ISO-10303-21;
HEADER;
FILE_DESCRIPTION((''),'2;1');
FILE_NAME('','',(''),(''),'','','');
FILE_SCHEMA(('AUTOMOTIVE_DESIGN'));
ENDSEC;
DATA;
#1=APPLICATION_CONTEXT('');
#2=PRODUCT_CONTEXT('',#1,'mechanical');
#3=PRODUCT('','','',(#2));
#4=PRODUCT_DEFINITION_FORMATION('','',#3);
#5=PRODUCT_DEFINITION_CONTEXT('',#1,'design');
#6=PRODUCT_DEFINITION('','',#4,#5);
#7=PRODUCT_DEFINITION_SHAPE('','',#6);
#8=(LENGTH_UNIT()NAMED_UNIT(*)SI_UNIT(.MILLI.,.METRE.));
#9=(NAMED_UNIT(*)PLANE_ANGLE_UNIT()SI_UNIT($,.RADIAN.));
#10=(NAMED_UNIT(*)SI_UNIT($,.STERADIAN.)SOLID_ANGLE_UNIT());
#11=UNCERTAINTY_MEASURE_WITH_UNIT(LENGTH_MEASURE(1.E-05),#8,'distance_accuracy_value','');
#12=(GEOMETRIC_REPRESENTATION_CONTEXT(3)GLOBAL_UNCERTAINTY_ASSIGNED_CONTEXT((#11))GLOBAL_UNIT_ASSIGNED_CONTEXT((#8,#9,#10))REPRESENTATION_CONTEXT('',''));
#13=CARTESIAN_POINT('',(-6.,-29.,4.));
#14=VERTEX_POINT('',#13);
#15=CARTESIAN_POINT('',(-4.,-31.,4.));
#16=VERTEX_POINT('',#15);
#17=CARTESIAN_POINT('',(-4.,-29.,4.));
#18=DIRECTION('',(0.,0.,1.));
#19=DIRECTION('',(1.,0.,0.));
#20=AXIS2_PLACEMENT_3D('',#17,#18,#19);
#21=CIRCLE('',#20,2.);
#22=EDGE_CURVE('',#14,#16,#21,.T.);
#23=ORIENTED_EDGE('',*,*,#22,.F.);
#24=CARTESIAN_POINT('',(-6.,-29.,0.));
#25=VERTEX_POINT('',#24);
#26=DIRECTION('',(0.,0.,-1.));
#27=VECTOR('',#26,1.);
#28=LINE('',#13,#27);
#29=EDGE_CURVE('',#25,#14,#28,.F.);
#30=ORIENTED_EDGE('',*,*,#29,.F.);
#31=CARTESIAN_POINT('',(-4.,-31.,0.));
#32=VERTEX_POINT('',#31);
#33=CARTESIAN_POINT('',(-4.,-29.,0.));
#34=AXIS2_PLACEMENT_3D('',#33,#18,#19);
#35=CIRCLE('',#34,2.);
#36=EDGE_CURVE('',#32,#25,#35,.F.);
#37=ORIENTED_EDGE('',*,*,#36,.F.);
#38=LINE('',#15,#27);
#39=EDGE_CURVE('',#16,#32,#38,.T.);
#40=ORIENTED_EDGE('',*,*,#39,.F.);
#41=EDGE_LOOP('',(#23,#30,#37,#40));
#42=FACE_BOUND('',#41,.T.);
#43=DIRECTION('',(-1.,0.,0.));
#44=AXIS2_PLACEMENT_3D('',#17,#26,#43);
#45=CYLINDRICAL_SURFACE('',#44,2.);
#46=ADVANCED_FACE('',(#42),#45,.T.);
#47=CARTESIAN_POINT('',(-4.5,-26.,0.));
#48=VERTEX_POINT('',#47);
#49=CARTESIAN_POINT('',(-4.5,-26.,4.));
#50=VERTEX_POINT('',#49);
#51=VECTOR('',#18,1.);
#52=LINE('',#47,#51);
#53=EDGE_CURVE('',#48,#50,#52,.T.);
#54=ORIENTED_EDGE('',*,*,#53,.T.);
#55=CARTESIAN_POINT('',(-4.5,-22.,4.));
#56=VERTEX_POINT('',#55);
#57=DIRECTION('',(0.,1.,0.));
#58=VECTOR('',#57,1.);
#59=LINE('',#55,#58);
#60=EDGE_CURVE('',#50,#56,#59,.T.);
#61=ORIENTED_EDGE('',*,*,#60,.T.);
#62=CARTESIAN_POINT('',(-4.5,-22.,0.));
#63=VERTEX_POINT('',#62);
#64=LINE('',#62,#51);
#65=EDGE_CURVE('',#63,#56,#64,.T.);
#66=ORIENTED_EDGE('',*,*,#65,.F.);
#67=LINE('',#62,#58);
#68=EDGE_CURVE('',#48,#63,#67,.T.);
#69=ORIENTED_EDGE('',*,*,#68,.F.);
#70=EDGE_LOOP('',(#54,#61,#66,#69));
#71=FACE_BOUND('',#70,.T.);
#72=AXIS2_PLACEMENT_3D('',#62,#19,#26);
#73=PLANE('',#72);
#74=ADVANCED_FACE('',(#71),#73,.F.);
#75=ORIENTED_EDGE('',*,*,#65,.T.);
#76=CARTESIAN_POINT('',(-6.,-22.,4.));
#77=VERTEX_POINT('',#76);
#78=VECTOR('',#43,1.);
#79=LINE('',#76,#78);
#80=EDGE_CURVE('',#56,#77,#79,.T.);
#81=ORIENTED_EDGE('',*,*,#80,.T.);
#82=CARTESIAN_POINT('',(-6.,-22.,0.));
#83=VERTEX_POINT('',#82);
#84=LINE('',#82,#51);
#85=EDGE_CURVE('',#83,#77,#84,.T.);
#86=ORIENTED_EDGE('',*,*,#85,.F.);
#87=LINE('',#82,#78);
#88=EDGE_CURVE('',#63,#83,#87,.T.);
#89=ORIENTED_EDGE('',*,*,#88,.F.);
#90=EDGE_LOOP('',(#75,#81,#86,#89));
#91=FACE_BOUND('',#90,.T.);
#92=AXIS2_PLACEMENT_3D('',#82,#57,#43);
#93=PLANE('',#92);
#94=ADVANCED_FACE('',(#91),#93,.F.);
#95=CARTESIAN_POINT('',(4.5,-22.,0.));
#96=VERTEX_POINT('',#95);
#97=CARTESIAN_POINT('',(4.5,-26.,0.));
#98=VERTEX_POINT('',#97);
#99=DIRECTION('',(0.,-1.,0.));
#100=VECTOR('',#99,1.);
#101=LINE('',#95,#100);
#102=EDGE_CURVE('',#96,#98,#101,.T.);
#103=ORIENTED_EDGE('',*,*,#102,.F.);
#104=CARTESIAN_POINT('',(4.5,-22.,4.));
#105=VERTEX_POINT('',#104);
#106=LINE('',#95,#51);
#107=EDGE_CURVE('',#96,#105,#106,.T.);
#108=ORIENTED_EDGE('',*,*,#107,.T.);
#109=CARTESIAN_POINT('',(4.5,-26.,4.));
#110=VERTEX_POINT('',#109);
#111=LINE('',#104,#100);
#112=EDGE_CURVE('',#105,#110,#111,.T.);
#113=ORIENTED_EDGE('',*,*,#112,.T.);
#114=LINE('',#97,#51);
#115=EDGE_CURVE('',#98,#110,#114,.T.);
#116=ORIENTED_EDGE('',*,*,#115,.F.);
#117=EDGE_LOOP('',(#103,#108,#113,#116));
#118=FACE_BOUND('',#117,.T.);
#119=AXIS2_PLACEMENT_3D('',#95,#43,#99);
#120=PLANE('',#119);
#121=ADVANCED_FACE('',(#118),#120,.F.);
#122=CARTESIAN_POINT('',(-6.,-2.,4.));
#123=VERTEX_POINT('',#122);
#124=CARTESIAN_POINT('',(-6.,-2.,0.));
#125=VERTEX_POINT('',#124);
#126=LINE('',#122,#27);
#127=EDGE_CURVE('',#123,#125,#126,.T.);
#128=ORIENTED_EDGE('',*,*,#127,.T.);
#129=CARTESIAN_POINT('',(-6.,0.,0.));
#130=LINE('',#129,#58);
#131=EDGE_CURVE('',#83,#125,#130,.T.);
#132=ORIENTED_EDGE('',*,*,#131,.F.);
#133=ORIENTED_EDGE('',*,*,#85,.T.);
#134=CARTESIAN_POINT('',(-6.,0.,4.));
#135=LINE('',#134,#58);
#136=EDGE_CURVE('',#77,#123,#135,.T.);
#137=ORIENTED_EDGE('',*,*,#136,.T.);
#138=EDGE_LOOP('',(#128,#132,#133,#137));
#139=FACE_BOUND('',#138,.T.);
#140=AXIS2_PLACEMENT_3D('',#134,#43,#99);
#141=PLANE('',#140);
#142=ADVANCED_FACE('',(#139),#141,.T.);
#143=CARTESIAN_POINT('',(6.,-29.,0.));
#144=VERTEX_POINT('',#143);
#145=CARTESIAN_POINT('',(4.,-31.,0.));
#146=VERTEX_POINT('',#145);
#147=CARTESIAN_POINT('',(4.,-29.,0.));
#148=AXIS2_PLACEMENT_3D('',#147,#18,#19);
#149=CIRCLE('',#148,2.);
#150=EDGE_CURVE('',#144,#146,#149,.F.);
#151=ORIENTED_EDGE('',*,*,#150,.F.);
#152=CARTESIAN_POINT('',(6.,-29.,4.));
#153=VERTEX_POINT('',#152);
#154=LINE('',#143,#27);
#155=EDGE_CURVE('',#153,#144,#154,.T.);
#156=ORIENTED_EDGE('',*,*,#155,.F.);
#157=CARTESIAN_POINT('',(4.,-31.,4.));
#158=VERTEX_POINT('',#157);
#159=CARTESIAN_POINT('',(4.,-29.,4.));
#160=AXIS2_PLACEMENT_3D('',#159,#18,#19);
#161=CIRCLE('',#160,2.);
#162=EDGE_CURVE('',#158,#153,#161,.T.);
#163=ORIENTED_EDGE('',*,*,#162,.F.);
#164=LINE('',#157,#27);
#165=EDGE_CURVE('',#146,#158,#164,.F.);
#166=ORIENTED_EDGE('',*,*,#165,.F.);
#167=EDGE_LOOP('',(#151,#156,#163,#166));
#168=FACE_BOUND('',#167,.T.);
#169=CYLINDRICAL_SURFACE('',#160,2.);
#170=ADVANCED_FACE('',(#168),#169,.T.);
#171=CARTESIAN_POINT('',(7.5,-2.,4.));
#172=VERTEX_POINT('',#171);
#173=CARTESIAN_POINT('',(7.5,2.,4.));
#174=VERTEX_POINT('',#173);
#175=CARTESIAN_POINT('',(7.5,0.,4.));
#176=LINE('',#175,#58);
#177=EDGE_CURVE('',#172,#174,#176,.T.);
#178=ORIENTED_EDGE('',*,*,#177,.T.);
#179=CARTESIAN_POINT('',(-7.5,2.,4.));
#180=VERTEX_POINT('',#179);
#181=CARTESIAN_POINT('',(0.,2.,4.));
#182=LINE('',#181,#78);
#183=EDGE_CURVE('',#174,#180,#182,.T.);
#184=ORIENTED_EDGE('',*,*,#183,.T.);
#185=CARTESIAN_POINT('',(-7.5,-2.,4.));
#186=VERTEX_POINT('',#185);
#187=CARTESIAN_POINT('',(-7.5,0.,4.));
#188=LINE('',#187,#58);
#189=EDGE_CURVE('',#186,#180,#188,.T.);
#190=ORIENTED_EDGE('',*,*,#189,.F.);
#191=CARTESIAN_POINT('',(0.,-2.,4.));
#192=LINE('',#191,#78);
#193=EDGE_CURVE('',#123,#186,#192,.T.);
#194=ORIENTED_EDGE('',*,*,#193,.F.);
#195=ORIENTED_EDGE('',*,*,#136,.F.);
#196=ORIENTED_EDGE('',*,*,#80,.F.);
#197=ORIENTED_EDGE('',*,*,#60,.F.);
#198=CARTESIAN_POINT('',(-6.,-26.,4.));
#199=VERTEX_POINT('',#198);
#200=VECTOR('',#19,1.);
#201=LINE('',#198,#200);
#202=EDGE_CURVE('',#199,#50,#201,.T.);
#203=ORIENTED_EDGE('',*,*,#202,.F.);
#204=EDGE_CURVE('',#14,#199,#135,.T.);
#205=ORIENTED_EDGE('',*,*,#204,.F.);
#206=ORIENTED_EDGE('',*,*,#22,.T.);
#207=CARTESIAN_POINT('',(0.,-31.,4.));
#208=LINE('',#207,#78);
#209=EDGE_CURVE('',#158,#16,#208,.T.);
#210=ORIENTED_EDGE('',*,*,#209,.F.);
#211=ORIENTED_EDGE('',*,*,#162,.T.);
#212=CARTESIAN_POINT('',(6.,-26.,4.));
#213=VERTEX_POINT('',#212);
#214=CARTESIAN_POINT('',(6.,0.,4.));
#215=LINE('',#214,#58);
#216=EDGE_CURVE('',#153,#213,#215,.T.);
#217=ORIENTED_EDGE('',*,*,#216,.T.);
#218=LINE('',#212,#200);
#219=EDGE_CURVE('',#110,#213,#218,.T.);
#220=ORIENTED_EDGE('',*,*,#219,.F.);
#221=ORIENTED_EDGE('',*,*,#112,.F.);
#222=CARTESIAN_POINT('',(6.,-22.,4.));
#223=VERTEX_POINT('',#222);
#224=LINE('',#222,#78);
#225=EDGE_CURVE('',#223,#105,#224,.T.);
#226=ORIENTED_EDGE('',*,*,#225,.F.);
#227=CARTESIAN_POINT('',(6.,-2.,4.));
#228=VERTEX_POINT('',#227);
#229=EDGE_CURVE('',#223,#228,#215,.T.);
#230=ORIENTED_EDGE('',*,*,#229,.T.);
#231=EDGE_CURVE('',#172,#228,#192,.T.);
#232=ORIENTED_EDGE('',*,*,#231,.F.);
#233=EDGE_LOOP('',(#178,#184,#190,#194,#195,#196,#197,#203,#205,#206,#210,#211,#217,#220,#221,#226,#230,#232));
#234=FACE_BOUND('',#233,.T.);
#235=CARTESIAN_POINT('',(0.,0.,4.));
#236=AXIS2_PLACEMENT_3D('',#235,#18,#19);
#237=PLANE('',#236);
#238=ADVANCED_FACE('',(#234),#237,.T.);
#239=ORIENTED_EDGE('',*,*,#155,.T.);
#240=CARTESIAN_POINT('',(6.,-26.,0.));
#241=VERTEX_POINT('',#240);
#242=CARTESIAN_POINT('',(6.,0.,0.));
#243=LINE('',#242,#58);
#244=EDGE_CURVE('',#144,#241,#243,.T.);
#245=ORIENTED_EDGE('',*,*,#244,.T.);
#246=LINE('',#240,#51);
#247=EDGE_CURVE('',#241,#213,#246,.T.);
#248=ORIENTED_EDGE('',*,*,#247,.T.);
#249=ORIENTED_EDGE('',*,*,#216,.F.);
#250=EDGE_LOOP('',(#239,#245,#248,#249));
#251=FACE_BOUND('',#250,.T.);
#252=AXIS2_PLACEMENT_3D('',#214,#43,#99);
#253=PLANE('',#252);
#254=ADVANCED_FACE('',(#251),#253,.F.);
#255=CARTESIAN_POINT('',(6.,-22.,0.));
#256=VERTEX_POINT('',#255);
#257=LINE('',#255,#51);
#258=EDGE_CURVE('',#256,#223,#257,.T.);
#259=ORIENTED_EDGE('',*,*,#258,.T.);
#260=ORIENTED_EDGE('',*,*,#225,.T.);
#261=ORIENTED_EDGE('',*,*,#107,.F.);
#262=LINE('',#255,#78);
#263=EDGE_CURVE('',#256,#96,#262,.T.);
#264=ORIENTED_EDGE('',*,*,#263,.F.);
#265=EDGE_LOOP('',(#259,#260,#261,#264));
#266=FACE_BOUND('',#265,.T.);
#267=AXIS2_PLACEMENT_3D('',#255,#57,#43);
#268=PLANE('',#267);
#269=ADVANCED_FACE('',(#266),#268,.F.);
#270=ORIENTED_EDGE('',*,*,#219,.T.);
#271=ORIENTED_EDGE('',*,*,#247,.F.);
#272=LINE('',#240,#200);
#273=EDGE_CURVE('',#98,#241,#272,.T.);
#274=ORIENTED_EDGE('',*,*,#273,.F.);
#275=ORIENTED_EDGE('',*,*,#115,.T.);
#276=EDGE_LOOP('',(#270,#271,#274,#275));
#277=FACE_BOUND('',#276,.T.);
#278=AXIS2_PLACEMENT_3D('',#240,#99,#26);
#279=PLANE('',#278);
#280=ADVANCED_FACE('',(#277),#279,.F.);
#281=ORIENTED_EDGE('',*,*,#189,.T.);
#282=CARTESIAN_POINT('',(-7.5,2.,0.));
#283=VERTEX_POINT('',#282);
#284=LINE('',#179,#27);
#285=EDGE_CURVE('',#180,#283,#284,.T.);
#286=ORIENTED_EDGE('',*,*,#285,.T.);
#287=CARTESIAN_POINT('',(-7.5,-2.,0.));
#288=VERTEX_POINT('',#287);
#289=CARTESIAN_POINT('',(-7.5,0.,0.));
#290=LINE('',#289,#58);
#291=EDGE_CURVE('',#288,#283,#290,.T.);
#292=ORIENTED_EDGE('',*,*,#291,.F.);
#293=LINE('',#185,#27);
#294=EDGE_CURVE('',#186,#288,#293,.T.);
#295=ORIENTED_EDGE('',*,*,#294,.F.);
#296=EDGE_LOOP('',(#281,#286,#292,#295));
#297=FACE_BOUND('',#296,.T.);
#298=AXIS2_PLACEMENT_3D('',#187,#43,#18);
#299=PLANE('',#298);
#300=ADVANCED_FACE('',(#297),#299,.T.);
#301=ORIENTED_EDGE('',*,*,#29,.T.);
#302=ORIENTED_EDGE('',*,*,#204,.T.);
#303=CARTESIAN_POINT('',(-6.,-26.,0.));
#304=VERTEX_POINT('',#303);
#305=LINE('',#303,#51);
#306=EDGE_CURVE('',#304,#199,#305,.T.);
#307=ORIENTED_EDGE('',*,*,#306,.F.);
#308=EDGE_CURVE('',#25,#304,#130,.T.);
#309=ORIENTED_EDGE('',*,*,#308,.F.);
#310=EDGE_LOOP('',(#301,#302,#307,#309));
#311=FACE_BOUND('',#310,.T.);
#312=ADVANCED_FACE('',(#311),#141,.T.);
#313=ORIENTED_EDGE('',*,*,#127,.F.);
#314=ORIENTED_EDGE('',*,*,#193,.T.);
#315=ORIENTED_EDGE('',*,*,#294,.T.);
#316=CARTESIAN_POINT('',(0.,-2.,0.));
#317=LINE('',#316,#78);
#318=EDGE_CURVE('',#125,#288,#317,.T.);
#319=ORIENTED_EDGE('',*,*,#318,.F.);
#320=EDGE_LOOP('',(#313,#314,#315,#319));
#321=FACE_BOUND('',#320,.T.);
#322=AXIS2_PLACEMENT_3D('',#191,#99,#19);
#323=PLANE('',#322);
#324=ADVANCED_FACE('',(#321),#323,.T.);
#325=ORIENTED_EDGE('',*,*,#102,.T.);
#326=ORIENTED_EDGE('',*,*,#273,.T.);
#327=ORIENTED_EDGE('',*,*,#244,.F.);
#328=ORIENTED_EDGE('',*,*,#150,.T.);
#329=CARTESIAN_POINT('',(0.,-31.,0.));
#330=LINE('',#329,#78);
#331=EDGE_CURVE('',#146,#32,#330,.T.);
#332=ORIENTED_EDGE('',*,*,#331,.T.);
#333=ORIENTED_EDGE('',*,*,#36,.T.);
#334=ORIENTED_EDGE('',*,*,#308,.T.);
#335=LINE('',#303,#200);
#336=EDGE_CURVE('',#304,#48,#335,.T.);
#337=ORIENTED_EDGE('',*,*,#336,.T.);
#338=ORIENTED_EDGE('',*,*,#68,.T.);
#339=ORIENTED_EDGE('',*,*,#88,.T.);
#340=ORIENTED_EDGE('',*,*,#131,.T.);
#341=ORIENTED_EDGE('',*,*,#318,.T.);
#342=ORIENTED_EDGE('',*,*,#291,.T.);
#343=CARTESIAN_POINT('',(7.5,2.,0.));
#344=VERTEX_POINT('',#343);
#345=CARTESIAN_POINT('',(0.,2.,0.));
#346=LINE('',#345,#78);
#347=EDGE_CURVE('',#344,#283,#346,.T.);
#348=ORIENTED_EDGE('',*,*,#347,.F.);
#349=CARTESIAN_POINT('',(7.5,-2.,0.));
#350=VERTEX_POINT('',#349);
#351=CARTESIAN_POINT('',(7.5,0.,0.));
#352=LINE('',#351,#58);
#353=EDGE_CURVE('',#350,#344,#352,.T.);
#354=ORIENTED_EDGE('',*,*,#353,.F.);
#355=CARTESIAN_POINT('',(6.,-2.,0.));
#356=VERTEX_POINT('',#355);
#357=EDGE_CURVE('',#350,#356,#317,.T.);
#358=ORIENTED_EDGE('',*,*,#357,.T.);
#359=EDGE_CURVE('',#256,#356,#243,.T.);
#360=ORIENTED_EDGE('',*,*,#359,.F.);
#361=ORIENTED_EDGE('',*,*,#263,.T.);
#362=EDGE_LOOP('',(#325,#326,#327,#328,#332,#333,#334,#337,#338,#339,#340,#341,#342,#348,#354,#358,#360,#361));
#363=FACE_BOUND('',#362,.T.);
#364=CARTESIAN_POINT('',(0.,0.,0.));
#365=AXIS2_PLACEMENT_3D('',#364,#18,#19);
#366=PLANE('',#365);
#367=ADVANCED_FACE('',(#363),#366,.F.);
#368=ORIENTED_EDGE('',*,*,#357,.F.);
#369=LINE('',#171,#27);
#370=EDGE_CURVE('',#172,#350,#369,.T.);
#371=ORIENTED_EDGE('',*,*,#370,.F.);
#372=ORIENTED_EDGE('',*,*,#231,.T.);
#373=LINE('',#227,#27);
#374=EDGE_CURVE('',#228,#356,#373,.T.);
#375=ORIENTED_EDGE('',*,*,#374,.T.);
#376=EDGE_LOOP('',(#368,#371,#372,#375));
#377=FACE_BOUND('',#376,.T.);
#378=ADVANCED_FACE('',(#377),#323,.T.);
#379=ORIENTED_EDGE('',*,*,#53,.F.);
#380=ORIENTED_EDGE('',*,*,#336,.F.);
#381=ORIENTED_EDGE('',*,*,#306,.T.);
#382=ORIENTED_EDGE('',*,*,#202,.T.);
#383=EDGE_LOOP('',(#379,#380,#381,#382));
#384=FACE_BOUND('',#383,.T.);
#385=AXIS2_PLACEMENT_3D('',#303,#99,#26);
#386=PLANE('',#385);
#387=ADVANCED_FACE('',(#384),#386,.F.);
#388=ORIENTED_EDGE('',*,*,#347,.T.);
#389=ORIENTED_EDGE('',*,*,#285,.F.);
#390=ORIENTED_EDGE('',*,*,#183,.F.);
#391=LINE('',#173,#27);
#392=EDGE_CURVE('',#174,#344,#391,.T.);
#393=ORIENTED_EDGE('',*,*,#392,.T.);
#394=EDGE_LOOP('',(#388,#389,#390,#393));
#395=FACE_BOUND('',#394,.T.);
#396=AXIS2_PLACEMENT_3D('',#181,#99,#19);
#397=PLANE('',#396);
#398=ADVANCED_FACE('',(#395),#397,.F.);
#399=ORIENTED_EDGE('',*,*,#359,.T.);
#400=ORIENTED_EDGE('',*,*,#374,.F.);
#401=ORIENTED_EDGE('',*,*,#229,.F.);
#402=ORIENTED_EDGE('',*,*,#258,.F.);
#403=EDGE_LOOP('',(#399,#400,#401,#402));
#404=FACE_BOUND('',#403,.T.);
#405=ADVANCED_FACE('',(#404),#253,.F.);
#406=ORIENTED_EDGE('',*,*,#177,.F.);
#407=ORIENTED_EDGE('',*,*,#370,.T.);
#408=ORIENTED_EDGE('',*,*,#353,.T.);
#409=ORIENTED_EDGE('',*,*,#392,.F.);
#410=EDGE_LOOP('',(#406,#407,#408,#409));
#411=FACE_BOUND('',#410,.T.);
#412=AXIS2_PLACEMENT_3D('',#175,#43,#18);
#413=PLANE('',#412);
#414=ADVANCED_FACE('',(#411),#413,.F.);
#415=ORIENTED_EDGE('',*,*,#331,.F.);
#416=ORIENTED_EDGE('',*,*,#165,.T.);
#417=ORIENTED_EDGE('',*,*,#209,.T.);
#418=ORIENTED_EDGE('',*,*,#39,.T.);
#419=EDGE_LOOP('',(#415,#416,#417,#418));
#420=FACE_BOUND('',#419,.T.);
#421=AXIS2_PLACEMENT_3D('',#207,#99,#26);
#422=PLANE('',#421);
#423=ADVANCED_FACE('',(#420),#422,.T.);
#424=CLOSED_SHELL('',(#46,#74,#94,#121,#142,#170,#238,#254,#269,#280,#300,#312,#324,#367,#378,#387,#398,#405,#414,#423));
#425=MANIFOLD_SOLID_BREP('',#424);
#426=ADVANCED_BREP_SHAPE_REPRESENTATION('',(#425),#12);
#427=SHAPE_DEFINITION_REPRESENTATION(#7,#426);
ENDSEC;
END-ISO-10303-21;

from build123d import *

# Parameters (mm, degrees)
SKIZZE1_W                       = 12
SKIZZE1_H                       = 29
SKIZZE1_W_2                     = 15
SKIZZE1_H_2                     = 4
AUFSATZ_LINEAR_AUSTRAGEN1_DEPTH = 4
SKIZZE2_W                       = 1.5
SKIZZE2_H                       = 4
SCHNITT_LINEAR_AUSTRAGEN1_DEPTH = 5
VERRUNDUNG1_R                   = 2


with BuildPart() as part:
    # Skizze1 → Aufsatz-Linear austragen1 (new body)
    with BuildSketch(Plane.XY):
        with Locations((0, -16.5)):
            Rectangle(SKIZZE1_W, SKIZZE1_H)
        Rectangle(SKIZZE1_W_2, SKIZZE1_H_2)
    extrude(amount=AUFSATZ_LINEAR_AUSTRAGEN1_DEPTH)

    # Skizze2 → Schnitt-Linear austragen1 (cut, through all)
    with BuildSketch(Plane.XY.offset(4)):
        with Locations((-5.25, -24)):
            Rectangle(SKIZZE2_W, SKIZZE2_H)
        with Locations((5.25, -24)):
            Rectangle(SKIZZE2_W, SKIZZE2_H)
    extrude(amount=-SCHNITT_LINEAR_AUSTRAGEN1_DEPTH, mode=Mode.SUBTRACT)

    # Verrundung1
    verrundung1_edges = [part.edges().sort_by_distance(p)[0] for p in [
        (6, -31, 2),
        (-6, -31, 2),
    ]]
    fillet(verrundung1_edges, radius=VERRUNDUNG1_R)


solid = part.part
